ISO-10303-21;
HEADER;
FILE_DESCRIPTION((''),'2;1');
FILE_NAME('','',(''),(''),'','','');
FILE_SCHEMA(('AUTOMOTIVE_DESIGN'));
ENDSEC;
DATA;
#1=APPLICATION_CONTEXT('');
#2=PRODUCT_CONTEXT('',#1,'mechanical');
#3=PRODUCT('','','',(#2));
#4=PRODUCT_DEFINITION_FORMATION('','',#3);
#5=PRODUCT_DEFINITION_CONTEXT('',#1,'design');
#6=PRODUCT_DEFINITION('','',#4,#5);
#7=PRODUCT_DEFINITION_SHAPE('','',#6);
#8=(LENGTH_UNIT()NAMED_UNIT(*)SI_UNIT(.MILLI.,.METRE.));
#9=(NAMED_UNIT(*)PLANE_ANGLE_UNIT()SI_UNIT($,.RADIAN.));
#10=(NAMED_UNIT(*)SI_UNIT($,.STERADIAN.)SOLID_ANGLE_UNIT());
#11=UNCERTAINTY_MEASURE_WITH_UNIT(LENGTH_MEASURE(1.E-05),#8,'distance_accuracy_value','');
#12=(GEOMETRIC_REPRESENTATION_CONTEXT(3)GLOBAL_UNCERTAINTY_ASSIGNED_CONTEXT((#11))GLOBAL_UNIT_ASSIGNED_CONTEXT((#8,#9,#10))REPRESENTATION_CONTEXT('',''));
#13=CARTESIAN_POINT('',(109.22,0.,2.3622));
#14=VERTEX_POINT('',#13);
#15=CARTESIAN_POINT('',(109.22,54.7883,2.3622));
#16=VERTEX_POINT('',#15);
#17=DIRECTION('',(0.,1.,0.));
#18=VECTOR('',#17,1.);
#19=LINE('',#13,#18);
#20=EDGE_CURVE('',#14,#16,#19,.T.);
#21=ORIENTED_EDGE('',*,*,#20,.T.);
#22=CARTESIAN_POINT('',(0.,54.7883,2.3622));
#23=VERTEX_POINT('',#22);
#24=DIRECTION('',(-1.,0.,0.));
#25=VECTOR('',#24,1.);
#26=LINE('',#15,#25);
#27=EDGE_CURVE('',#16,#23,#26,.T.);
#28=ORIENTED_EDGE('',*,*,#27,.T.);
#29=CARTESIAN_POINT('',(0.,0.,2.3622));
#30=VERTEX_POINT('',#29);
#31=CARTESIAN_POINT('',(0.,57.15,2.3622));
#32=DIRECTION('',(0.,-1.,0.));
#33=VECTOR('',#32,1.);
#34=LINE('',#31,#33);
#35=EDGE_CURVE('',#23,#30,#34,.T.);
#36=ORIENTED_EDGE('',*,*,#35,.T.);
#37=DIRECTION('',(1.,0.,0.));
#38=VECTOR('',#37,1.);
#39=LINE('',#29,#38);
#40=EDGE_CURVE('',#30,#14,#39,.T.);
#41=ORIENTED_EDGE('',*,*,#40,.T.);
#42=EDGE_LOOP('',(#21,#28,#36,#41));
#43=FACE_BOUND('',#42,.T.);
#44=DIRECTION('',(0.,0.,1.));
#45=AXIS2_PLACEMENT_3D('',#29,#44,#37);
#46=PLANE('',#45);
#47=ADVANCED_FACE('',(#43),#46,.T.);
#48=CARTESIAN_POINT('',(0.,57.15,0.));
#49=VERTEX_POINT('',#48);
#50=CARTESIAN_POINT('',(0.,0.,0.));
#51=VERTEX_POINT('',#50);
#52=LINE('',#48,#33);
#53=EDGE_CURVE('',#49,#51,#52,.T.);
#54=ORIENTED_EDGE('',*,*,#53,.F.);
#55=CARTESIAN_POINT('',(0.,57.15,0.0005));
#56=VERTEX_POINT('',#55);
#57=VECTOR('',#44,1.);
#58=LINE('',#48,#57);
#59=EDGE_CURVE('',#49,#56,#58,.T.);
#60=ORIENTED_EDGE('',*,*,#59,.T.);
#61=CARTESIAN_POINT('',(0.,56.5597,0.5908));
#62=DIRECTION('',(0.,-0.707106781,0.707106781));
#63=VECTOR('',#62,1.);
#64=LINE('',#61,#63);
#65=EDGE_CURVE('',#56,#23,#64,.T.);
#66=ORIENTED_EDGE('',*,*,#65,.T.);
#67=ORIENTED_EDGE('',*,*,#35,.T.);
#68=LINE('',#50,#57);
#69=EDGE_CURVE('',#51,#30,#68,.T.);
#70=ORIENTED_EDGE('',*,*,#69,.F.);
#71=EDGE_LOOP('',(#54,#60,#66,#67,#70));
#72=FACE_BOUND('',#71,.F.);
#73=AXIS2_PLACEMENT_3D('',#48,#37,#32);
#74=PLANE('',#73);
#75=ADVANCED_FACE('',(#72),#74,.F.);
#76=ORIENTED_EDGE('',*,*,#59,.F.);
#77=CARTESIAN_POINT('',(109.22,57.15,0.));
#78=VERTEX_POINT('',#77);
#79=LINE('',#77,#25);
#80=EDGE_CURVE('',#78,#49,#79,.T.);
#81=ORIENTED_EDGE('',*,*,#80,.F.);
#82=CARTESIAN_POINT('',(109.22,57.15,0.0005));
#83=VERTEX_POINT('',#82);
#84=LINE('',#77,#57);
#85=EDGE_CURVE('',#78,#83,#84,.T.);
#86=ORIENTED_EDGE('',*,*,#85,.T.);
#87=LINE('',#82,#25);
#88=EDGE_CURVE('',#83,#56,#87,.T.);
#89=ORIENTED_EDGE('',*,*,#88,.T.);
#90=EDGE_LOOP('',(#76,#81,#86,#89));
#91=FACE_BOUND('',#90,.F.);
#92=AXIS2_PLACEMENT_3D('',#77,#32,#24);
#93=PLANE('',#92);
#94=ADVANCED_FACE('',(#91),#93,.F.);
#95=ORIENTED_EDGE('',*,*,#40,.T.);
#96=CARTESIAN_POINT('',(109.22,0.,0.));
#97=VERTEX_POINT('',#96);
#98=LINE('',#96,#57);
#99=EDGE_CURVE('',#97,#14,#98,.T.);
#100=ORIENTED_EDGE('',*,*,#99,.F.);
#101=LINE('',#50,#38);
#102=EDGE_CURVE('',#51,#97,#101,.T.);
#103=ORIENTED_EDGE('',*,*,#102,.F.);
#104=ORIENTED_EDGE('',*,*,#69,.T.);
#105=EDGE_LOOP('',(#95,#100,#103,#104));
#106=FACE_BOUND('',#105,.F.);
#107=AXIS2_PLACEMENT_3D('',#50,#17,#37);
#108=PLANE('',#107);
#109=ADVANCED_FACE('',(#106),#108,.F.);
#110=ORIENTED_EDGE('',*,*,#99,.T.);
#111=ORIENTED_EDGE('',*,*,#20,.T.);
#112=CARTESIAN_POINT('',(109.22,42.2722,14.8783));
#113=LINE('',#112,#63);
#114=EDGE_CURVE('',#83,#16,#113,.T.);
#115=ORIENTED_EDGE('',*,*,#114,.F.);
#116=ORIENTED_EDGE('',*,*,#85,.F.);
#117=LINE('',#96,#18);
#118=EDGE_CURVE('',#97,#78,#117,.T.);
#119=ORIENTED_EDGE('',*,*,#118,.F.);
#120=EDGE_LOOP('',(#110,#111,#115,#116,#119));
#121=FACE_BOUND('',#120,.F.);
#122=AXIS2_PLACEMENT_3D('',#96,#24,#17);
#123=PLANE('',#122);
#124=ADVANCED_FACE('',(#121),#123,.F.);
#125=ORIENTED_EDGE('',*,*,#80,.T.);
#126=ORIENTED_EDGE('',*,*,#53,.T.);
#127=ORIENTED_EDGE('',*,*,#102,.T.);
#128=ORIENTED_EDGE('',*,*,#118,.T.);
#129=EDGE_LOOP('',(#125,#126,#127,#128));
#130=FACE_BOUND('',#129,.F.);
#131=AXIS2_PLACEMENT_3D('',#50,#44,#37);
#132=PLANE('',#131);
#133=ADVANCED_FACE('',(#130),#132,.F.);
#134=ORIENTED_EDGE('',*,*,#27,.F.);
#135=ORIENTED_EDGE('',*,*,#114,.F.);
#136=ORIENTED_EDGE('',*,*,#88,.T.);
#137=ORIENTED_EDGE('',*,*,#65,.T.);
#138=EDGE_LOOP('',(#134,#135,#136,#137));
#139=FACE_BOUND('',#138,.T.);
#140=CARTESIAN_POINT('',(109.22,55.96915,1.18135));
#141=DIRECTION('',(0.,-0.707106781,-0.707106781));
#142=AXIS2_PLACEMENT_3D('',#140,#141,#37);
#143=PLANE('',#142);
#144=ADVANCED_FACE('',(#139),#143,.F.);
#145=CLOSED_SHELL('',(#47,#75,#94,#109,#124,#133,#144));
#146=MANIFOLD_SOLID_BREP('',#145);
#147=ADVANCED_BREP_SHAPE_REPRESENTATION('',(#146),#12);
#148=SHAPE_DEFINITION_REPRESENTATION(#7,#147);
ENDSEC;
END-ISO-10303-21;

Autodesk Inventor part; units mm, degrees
ref_plane "YZ Plane" through (0, 0, 0) normal (1, 0, 0) x (0, 1, 0)
ref_plane "XZ Plane" through (0, 0, 0) normal (0, 1, 0) x (-1, 0, 0)
ref_plane "XY Plane" through (0, 0, 0) normal (0, 0, 1) x (1, 0, 0)
sketch "Sketch1" plane through (0, 0, 0) normal (0, 0, 1) x (1, 0, 0)
  line L0 (0, 0) -> (109.22, 0)
  line L1 (109.22, 0) -> (109.22, 57.15)
  line L2 (109.22, 57.15) -> (0, 57.15)
  line L3 (0, 57.15) -> (0, 0)
  dimension "d0" = 109.22
  dimension "d2" = 57.15
extrude "Extrusion1" add sketch "Sketch1" along normal blind 2.3622
chamfer "Chamfer1" distance 2.3622 angle 45 1 edges at (54.61, 57.15, 2.3622)
properties part number "Plate_Front_Poly" material "Polycarbonate, Clear"
